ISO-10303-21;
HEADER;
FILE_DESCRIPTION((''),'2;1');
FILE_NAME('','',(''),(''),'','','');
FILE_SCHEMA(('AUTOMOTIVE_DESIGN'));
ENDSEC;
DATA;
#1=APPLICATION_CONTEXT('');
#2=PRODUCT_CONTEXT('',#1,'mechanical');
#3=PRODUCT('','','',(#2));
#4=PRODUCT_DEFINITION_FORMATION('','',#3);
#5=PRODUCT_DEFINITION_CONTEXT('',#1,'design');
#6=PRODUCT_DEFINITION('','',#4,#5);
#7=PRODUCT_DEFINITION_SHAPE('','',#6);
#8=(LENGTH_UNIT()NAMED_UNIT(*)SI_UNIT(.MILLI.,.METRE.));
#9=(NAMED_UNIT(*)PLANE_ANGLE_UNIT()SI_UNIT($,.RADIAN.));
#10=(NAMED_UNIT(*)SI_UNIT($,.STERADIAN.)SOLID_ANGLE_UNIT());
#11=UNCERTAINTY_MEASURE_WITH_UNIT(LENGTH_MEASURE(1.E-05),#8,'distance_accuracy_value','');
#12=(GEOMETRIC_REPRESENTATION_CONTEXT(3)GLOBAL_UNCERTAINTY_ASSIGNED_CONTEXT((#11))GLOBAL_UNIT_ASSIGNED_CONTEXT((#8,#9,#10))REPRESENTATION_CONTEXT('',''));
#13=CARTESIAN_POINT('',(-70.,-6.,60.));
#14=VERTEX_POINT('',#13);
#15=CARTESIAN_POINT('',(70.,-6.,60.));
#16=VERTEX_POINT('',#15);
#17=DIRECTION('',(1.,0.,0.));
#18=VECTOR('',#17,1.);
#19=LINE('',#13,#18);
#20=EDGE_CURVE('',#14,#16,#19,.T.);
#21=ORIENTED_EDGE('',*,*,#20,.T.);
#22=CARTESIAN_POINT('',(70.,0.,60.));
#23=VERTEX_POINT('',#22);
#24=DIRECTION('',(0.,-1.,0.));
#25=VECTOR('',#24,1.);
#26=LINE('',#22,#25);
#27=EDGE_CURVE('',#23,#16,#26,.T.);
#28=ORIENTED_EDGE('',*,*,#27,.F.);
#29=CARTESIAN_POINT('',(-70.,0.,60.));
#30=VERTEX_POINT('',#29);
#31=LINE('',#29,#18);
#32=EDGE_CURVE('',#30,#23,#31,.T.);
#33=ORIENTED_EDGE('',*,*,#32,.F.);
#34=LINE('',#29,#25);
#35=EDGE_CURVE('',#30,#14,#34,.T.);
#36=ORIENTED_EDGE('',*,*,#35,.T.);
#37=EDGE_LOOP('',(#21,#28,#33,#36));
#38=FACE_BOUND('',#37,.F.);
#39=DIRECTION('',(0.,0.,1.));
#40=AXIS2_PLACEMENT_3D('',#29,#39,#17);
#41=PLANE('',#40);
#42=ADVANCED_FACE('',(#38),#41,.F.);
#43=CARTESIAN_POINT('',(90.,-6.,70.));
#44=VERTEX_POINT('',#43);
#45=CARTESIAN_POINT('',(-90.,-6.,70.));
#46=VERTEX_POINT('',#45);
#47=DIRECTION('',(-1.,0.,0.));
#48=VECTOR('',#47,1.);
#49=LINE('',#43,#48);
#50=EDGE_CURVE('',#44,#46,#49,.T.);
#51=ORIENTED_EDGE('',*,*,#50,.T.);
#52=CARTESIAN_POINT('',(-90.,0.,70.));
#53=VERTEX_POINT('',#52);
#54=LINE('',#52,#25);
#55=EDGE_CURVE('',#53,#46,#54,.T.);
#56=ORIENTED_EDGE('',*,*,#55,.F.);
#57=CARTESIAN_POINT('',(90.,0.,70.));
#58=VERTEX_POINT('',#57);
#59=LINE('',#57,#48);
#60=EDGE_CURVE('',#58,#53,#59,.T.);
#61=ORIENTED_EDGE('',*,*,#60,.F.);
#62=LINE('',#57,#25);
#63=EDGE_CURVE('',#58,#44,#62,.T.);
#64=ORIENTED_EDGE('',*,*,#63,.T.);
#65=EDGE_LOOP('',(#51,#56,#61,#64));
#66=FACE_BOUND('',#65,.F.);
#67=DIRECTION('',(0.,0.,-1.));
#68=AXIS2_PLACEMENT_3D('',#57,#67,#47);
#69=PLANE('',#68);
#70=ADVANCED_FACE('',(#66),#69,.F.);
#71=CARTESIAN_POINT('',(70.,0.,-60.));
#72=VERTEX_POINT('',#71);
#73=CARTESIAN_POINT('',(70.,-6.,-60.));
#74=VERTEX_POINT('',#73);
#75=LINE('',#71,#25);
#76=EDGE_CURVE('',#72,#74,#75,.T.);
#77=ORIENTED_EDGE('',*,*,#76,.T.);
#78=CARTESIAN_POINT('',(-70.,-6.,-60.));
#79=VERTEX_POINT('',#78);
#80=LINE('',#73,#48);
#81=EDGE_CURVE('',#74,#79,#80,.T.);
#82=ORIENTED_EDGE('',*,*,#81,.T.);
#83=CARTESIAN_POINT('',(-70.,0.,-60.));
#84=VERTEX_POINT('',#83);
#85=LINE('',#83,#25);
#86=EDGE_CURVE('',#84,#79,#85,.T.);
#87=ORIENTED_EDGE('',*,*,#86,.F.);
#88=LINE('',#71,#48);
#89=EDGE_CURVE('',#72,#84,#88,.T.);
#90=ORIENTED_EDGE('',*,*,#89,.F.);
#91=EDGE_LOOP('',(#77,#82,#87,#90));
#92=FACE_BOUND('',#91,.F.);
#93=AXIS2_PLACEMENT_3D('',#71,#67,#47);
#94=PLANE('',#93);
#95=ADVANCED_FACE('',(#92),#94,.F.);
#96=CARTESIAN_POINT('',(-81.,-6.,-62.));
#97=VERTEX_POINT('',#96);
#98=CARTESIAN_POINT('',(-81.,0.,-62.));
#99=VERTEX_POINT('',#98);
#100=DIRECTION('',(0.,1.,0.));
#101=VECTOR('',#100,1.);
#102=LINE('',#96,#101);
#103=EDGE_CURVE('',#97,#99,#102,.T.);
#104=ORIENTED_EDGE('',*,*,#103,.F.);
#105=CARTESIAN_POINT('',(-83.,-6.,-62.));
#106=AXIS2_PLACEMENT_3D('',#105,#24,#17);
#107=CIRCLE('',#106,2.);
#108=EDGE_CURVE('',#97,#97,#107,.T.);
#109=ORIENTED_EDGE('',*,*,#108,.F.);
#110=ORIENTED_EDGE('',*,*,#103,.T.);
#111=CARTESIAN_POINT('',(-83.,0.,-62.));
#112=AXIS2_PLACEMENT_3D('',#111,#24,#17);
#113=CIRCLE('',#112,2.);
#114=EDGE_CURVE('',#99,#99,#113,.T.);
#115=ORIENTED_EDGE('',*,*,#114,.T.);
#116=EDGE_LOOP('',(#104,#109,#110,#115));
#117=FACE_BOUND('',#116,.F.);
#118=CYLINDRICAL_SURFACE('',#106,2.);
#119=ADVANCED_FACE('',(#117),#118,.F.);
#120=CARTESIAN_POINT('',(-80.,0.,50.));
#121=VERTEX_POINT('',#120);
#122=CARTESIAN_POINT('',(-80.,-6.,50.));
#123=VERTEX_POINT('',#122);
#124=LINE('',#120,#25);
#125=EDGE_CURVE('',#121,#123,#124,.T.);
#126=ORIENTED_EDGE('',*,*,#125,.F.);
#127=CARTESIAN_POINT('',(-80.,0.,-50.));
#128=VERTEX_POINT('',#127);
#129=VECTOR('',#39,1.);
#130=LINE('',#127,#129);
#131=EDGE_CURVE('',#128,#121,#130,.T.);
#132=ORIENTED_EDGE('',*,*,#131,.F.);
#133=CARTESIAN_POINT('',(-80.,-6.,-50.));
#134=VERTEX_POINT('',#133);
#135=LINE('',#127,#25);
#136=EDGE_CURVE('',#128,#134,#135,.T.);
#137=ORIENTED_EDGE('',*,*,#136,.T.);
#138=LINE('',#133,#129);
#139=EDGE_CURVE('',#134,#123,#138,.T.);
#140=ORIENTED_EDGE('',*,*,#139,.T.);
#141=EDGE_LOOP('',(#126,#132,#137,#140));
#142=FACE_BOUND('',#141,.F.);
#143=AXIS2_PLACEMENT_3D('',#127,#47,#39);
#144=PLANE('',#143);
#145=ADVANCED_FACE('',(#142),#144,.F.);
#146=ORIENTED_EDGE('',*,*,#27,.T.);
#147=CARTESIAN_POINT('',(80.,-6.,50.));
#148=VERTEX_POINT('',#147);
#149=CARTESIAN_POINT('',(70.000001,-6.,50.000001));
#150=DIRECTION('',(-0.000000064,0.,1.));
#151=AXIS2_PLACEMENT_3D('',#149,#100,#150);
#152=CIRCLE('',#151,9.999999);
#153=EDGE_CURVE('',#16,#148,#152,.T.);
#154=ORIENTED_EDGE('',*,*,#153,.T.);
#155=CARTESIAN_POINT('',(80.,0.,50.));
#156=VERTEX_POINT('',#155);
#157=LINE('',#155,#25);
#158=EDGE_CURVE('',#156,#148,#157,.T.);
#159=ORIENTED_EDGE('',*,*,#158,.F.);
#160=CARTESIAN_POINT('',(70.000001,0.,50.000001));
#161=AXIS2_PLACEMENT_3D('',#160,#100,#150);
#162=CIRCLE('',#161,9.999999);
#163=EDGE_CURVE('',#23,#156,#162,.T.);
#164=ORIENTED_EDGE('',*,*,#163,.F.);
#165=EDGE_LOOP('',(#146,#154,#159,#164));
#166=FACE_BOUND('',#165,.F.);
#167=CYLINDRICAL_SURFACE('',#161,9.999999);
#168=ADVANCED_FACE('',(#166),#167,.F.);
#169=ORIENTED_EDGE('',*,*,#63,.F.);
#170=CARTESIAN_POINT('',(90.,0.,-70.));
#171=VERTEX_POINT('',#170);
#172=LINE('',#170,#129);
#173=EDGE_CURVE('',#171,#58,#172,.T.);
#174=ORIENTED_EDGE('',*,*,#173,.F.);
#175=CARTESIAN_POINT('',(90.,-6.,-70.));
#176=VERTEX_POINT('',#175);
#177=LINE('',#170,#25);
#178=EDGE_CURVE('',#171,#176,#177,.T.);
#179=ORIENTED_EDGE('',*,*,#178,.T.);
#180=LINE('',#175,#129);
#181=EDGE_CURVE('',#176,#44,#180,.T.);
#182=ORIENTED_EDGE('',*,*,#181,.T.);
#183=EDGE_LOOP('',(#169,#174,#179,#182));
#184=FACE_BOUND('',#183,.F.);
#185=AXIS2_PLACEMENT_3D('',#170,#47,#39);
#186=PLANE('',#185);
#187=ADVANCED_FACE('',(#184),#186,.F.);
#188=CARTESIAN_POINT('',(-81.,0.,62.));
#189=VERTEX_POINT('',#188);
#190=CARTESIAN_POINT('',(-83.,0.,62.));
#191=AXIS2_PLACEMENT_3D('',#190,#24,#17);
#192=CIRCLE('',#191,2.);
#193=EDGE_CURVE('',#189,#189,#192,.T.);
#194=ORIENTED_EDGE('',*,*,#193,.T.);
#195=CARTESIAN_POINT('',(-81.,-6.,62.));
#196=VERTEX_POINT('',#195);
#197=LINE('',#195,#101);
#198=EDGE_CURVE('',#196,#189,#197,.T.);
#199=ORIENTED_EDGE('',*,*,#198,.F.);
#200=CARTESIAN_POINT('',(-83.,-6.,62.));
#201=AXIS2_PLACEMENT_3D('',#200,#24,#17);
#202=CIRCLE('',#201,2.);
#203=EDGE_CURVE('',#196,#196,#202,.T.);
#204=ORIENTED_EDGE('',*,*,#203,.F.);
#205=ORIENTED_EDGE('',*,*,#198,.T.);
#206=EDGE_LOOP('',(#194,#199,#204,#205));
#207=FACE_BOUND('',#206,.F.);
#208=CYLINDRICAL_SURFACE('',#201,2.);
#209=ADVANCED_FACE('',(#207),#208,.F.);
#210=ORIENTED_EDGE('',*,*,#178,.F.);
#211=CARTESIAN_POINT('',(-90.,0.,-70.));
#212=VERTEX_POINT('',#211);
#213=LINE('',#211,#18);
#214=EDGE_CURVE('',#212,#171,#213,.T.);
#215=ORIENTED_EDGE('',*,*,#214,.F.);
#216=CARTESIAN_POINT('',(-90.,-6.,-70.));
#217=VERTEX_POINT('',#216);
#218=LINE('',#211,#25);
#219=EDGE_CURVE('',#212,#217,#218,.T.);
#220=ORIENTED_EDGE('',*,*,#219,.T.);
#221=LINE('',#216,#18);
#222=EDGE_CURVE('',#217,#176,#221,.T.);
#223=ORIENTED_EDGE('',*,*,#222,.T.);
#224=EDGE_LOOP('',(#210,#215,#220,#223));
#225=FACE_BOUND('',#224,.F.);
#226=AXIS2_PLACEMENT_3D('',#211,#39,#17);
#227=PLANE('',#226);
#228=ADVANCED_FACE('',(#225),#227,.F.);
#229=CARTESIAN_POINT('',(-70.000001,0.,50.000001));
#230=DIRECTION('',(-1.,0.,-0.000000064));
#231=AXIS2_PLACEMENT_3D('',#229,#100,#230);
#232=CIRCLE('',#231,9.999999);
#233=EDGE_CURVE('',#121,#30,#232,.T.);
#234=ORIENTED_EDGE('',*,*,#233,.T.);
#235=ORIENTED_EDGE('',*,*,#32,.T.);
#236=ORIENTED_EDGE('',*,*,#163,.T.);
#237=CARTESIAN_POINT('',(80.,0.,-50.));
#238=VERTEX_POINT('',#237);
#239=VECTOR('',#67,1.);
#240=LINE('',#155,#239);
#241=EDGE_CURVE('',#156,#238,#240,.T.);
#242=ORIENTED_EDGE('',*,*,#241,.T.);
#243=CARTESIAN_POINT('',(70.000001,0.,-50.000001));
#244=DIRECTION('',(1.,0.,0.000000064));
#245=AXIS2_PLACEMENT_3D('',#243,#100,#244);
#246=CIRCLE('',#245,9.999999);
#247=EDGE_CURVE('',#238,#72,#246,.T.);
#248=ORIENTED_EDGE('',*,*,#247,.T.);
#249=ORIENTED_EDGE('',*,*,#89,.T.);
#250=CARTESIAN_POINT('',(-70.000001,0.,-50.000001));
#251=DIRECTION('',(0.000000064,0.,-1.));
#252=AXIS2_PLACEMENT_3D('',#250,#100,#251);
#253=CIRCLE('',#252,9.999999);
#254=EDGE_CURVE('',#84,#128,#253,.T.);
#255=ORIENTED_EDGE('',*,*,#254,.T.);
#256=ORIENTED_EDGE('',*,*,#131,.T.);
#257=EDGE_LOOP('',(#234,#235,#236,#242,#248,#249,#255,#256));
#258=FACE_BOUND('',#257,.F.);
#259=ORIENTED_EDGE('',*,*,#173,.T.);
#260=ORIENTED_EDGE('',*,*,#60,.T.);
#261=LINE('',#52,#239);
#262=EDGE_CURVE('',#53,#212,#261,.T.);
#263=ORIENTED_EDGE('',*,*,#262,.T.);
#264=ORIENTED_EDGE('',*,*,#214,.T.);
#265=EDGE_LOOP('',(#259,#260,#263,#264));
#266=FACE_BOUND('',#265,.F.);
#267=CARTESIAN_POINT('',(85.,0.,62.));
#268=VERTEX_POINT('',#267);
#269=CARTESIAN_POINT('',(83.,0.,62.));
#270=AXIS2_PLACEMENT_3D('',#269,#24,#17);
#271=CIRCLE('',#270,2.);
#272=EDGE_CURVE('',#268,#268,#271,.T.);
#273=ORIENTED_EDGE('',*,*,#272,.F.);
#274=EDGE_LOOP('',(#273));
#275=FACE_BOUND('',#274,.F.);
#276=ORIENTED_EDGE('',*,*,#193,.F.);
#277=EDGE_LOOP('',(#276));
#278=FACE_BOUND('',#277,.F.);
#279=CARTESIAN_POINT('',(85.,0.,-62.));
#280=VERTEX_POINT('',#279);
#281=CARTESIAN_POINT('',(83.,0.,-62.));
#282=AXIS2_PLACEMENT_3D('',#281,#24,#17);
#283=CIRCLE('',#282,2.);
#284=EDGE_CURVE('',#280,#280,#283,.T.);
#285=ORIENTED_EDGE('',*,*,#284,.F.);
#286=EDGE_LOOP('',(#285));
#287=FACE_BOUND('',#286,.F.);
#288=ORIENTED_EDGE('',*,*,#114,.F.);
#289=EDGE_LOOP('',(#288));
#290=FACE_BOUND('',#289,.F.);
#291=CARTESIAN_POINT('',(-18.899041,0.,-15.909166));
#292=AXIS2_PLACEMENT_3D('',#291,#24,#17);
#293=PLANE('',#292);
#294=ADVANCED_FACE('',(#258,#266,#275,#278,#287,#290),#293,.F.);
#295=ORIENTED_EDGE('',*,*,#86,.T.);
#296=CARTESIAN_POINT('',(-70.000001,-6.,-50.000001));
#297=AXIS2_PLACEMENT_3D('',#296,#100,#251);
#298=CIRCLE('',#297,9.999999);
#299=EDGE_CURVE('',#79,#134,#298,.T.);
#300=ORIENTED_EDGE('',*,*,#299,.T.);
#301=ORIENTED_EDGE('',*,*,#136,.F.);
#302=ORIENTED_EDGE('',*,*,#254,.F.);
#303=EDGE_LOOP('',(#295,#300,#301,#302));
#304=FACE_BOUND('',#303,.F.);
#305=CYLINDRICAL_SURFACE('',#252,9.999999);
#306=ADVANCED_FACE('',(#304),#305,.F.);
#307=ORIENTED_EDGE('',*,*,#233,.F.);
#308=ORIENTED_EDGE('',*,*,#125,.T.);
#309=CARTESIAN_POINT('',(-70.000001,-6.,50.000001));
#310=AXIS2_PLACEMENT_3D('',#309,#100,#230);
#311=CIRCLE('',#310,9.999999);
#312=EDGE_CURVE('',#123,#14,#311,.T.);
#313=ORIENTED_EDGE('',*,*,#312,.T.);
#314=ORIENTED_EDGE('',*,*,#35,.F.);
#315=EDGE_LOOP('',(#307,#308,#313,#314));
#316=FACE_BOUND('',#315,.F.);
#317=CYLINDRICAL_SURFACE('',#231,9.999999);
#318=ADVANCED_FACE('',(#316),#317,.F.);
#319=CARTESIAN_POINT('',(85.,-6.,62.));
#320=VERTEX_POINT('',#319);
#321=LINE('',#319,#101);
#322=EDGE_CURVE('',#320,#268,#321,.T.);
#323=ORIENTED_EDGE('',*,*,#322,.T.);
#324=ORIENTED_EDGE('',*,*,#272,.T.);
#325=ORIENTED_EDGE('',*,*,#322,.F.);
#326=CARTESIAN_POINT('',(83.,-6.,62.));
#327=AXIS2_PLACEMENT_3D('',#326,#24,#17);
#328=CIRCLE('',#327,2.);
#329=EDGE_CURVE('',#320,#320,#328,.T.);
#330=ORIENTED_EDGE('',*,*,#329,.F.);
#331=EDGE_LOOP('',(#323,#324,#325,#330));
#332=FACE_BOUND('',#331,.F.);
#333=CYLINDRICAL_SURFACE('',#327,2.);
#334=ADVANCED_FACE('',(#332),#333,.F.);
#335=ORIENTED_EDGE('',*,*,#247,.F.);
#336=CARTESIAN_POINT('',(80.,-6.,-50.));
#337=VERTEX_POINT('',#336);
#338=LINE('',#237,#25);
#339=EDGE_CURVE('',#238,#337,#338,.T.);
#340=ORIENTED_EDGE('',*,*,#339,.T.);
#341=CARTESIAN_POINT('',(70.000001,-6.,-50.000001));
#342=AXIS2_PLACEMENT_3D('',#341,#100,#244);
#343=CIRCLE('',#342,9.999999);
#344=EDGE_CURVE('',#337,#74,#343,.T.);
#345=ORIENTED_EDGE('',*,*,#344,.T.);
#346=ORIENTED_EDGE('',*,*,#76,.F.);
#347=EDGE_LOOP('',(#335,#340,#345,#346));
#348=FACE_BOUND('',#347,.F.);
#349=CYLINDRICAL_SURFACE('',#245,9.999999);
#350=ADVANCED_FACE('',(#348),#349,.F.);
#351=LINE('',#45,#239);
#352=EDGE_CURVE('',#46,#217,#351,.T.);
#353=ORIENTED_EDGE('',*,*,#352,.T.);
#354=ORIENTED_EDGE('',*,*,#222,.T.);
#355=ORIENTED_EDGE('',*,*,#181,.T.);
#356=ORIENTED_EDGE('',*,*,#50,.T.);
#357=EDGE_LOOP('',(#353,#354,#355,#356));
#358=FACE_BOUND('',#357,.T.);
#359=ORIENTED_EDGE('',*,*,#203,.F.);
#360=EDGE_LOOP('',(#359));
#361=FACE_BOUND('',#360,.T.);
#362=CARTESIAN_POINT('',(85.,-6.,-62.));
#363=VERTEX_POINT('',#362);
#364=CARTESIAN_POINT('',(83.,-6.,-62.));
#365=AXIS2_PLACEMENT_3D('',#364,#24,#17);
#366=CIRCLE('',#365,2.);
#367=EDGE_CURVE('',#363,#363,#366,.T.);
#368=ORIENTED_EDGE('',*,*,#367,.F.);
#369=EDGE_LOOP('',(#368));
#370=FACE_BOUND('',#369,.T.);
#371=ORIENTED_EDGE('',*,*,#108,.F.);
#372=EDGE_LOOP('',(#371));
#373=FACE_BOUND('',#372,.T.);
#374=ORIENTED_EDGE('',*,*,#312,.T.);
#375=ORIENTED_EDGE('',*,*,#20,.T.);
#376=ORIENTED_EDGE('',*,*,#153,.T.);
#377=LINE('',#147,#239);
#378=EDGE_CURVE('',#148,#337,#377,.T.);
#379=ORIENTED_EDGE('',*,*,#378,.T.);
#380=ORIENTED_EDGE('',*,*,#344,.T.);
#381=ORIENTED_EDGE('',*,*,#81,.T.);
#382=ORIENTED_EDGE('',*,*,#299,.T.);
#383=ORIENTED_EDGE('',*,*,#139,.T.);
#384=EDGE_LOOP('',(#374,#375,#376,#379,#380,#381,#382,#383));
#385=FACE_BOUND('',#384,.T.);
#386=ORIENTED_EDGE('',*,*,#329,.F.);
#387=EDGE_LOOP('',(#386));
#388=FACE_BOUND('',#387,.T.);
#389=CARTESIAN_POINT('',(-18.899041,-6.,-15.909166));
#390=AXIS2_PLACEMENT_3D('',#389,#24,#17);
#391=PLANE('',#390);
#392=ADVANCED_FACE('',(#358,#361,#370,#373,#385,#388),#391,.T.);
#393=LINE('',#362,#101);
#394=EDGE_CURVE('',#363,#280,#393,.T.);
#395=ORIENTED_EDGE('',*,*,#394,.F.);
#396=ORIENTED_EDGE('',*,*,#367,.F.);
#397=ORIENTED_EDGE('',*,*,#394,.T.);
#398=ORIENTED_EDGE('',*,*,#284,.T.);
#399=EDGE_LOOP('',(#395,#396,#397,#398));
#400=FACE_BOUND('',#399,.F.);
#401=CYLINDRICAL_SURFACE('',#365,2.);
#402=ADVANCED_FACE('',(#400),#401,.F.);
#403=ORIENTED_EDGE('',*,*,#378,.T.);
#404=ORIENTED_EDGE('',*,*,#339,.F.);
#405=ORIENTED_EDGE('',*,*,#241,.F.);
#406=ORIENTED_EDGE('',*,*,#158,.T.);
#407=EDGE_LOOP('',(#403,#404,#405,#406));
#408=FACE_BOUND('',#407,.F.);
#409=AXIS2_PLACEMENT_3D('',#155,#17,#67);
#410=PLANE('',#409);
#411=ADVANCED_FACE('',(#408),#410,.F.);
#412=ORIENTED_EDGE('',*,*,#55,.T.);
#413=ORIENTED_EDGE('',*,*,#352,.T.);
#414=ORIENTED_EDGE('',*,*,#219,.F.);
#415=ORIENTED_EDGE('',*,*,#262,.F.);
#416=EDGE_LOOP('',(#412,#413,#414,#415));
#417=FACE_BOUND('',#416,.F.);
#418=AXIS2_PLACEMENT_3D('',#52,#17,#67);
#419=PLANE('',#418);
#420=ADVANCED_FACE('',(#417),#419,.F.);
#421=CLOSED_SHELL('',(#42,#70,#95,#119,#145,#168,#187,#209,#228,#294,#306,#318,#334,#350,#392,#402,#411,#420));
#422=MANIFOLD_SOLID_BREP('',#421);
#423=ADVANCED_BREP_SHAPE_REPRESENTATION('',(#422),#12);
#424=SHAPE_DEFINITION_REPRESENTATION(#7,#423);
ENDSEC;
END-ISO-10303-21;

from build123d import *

# Parameters (mm, degrees)
F1_DEPTH = 6
F2_R     = 2
F3_DEPTH = 25


with BuildPart() as f1:
    # F0 (on Front) → F1 (new body)
    with BuildSketch(Plane.XZ):
        with BuildLine():
            Line((-90, 70), (-90, -70))
            Line((-90, -70), (90, -70))
            Line((90, -70), (90, 0))
            Line((90, 0), (80, 0))
            Line((80, 0), (80, -50))
            ThreePointArc((80, -50), (77.071068, -57.071068), (70, -60))
            Line((70, -60), (-70, -60))
            ThreePointArc((-70, -60), (-77.071068, -57.071068), (-80, -50))
            Line((-80, -50), (-80, 50))
            ThreePointArc((-80, 50), (-77.071068, 57.071068), (-70, 60))
            Line((-70, 60), (0, 60))
            Line((0, 60), (0, 70))
            Line((0, 70), (-90, 70))
        make_face()
        with BuildLine():
            Line((80, 0), (90, 0))
            Line((90, 0), (90, 70))
            Line((90, 70), (0, 70))
            Line((0, 70), (0, 60))
            Line((0, 60), (70, 60))
            ThreePointArc((70, 60), (77.071068, 57.071068), (80, 50))
            Line((80, 50), (80, 0))
        make_face()
    extrude(amount=F1_DEPTH)

    # F2 (on face) → F3 (cut)
    with BuildSketch(Plane.XZ.offset(6)):
        with Locations((-83, 62)):
            Circle(F2_R)
        with Locations((-83, -62)):
            Circle(F2_R)
        with Locations((83, -62)):
            Circle(F2_R)
        with Locations((83, 62)):
            Circle(F2_R)
    extrude(amount=-F3_DEPTH, mode=Mode.SUBTRACT)


solid = f1.part
